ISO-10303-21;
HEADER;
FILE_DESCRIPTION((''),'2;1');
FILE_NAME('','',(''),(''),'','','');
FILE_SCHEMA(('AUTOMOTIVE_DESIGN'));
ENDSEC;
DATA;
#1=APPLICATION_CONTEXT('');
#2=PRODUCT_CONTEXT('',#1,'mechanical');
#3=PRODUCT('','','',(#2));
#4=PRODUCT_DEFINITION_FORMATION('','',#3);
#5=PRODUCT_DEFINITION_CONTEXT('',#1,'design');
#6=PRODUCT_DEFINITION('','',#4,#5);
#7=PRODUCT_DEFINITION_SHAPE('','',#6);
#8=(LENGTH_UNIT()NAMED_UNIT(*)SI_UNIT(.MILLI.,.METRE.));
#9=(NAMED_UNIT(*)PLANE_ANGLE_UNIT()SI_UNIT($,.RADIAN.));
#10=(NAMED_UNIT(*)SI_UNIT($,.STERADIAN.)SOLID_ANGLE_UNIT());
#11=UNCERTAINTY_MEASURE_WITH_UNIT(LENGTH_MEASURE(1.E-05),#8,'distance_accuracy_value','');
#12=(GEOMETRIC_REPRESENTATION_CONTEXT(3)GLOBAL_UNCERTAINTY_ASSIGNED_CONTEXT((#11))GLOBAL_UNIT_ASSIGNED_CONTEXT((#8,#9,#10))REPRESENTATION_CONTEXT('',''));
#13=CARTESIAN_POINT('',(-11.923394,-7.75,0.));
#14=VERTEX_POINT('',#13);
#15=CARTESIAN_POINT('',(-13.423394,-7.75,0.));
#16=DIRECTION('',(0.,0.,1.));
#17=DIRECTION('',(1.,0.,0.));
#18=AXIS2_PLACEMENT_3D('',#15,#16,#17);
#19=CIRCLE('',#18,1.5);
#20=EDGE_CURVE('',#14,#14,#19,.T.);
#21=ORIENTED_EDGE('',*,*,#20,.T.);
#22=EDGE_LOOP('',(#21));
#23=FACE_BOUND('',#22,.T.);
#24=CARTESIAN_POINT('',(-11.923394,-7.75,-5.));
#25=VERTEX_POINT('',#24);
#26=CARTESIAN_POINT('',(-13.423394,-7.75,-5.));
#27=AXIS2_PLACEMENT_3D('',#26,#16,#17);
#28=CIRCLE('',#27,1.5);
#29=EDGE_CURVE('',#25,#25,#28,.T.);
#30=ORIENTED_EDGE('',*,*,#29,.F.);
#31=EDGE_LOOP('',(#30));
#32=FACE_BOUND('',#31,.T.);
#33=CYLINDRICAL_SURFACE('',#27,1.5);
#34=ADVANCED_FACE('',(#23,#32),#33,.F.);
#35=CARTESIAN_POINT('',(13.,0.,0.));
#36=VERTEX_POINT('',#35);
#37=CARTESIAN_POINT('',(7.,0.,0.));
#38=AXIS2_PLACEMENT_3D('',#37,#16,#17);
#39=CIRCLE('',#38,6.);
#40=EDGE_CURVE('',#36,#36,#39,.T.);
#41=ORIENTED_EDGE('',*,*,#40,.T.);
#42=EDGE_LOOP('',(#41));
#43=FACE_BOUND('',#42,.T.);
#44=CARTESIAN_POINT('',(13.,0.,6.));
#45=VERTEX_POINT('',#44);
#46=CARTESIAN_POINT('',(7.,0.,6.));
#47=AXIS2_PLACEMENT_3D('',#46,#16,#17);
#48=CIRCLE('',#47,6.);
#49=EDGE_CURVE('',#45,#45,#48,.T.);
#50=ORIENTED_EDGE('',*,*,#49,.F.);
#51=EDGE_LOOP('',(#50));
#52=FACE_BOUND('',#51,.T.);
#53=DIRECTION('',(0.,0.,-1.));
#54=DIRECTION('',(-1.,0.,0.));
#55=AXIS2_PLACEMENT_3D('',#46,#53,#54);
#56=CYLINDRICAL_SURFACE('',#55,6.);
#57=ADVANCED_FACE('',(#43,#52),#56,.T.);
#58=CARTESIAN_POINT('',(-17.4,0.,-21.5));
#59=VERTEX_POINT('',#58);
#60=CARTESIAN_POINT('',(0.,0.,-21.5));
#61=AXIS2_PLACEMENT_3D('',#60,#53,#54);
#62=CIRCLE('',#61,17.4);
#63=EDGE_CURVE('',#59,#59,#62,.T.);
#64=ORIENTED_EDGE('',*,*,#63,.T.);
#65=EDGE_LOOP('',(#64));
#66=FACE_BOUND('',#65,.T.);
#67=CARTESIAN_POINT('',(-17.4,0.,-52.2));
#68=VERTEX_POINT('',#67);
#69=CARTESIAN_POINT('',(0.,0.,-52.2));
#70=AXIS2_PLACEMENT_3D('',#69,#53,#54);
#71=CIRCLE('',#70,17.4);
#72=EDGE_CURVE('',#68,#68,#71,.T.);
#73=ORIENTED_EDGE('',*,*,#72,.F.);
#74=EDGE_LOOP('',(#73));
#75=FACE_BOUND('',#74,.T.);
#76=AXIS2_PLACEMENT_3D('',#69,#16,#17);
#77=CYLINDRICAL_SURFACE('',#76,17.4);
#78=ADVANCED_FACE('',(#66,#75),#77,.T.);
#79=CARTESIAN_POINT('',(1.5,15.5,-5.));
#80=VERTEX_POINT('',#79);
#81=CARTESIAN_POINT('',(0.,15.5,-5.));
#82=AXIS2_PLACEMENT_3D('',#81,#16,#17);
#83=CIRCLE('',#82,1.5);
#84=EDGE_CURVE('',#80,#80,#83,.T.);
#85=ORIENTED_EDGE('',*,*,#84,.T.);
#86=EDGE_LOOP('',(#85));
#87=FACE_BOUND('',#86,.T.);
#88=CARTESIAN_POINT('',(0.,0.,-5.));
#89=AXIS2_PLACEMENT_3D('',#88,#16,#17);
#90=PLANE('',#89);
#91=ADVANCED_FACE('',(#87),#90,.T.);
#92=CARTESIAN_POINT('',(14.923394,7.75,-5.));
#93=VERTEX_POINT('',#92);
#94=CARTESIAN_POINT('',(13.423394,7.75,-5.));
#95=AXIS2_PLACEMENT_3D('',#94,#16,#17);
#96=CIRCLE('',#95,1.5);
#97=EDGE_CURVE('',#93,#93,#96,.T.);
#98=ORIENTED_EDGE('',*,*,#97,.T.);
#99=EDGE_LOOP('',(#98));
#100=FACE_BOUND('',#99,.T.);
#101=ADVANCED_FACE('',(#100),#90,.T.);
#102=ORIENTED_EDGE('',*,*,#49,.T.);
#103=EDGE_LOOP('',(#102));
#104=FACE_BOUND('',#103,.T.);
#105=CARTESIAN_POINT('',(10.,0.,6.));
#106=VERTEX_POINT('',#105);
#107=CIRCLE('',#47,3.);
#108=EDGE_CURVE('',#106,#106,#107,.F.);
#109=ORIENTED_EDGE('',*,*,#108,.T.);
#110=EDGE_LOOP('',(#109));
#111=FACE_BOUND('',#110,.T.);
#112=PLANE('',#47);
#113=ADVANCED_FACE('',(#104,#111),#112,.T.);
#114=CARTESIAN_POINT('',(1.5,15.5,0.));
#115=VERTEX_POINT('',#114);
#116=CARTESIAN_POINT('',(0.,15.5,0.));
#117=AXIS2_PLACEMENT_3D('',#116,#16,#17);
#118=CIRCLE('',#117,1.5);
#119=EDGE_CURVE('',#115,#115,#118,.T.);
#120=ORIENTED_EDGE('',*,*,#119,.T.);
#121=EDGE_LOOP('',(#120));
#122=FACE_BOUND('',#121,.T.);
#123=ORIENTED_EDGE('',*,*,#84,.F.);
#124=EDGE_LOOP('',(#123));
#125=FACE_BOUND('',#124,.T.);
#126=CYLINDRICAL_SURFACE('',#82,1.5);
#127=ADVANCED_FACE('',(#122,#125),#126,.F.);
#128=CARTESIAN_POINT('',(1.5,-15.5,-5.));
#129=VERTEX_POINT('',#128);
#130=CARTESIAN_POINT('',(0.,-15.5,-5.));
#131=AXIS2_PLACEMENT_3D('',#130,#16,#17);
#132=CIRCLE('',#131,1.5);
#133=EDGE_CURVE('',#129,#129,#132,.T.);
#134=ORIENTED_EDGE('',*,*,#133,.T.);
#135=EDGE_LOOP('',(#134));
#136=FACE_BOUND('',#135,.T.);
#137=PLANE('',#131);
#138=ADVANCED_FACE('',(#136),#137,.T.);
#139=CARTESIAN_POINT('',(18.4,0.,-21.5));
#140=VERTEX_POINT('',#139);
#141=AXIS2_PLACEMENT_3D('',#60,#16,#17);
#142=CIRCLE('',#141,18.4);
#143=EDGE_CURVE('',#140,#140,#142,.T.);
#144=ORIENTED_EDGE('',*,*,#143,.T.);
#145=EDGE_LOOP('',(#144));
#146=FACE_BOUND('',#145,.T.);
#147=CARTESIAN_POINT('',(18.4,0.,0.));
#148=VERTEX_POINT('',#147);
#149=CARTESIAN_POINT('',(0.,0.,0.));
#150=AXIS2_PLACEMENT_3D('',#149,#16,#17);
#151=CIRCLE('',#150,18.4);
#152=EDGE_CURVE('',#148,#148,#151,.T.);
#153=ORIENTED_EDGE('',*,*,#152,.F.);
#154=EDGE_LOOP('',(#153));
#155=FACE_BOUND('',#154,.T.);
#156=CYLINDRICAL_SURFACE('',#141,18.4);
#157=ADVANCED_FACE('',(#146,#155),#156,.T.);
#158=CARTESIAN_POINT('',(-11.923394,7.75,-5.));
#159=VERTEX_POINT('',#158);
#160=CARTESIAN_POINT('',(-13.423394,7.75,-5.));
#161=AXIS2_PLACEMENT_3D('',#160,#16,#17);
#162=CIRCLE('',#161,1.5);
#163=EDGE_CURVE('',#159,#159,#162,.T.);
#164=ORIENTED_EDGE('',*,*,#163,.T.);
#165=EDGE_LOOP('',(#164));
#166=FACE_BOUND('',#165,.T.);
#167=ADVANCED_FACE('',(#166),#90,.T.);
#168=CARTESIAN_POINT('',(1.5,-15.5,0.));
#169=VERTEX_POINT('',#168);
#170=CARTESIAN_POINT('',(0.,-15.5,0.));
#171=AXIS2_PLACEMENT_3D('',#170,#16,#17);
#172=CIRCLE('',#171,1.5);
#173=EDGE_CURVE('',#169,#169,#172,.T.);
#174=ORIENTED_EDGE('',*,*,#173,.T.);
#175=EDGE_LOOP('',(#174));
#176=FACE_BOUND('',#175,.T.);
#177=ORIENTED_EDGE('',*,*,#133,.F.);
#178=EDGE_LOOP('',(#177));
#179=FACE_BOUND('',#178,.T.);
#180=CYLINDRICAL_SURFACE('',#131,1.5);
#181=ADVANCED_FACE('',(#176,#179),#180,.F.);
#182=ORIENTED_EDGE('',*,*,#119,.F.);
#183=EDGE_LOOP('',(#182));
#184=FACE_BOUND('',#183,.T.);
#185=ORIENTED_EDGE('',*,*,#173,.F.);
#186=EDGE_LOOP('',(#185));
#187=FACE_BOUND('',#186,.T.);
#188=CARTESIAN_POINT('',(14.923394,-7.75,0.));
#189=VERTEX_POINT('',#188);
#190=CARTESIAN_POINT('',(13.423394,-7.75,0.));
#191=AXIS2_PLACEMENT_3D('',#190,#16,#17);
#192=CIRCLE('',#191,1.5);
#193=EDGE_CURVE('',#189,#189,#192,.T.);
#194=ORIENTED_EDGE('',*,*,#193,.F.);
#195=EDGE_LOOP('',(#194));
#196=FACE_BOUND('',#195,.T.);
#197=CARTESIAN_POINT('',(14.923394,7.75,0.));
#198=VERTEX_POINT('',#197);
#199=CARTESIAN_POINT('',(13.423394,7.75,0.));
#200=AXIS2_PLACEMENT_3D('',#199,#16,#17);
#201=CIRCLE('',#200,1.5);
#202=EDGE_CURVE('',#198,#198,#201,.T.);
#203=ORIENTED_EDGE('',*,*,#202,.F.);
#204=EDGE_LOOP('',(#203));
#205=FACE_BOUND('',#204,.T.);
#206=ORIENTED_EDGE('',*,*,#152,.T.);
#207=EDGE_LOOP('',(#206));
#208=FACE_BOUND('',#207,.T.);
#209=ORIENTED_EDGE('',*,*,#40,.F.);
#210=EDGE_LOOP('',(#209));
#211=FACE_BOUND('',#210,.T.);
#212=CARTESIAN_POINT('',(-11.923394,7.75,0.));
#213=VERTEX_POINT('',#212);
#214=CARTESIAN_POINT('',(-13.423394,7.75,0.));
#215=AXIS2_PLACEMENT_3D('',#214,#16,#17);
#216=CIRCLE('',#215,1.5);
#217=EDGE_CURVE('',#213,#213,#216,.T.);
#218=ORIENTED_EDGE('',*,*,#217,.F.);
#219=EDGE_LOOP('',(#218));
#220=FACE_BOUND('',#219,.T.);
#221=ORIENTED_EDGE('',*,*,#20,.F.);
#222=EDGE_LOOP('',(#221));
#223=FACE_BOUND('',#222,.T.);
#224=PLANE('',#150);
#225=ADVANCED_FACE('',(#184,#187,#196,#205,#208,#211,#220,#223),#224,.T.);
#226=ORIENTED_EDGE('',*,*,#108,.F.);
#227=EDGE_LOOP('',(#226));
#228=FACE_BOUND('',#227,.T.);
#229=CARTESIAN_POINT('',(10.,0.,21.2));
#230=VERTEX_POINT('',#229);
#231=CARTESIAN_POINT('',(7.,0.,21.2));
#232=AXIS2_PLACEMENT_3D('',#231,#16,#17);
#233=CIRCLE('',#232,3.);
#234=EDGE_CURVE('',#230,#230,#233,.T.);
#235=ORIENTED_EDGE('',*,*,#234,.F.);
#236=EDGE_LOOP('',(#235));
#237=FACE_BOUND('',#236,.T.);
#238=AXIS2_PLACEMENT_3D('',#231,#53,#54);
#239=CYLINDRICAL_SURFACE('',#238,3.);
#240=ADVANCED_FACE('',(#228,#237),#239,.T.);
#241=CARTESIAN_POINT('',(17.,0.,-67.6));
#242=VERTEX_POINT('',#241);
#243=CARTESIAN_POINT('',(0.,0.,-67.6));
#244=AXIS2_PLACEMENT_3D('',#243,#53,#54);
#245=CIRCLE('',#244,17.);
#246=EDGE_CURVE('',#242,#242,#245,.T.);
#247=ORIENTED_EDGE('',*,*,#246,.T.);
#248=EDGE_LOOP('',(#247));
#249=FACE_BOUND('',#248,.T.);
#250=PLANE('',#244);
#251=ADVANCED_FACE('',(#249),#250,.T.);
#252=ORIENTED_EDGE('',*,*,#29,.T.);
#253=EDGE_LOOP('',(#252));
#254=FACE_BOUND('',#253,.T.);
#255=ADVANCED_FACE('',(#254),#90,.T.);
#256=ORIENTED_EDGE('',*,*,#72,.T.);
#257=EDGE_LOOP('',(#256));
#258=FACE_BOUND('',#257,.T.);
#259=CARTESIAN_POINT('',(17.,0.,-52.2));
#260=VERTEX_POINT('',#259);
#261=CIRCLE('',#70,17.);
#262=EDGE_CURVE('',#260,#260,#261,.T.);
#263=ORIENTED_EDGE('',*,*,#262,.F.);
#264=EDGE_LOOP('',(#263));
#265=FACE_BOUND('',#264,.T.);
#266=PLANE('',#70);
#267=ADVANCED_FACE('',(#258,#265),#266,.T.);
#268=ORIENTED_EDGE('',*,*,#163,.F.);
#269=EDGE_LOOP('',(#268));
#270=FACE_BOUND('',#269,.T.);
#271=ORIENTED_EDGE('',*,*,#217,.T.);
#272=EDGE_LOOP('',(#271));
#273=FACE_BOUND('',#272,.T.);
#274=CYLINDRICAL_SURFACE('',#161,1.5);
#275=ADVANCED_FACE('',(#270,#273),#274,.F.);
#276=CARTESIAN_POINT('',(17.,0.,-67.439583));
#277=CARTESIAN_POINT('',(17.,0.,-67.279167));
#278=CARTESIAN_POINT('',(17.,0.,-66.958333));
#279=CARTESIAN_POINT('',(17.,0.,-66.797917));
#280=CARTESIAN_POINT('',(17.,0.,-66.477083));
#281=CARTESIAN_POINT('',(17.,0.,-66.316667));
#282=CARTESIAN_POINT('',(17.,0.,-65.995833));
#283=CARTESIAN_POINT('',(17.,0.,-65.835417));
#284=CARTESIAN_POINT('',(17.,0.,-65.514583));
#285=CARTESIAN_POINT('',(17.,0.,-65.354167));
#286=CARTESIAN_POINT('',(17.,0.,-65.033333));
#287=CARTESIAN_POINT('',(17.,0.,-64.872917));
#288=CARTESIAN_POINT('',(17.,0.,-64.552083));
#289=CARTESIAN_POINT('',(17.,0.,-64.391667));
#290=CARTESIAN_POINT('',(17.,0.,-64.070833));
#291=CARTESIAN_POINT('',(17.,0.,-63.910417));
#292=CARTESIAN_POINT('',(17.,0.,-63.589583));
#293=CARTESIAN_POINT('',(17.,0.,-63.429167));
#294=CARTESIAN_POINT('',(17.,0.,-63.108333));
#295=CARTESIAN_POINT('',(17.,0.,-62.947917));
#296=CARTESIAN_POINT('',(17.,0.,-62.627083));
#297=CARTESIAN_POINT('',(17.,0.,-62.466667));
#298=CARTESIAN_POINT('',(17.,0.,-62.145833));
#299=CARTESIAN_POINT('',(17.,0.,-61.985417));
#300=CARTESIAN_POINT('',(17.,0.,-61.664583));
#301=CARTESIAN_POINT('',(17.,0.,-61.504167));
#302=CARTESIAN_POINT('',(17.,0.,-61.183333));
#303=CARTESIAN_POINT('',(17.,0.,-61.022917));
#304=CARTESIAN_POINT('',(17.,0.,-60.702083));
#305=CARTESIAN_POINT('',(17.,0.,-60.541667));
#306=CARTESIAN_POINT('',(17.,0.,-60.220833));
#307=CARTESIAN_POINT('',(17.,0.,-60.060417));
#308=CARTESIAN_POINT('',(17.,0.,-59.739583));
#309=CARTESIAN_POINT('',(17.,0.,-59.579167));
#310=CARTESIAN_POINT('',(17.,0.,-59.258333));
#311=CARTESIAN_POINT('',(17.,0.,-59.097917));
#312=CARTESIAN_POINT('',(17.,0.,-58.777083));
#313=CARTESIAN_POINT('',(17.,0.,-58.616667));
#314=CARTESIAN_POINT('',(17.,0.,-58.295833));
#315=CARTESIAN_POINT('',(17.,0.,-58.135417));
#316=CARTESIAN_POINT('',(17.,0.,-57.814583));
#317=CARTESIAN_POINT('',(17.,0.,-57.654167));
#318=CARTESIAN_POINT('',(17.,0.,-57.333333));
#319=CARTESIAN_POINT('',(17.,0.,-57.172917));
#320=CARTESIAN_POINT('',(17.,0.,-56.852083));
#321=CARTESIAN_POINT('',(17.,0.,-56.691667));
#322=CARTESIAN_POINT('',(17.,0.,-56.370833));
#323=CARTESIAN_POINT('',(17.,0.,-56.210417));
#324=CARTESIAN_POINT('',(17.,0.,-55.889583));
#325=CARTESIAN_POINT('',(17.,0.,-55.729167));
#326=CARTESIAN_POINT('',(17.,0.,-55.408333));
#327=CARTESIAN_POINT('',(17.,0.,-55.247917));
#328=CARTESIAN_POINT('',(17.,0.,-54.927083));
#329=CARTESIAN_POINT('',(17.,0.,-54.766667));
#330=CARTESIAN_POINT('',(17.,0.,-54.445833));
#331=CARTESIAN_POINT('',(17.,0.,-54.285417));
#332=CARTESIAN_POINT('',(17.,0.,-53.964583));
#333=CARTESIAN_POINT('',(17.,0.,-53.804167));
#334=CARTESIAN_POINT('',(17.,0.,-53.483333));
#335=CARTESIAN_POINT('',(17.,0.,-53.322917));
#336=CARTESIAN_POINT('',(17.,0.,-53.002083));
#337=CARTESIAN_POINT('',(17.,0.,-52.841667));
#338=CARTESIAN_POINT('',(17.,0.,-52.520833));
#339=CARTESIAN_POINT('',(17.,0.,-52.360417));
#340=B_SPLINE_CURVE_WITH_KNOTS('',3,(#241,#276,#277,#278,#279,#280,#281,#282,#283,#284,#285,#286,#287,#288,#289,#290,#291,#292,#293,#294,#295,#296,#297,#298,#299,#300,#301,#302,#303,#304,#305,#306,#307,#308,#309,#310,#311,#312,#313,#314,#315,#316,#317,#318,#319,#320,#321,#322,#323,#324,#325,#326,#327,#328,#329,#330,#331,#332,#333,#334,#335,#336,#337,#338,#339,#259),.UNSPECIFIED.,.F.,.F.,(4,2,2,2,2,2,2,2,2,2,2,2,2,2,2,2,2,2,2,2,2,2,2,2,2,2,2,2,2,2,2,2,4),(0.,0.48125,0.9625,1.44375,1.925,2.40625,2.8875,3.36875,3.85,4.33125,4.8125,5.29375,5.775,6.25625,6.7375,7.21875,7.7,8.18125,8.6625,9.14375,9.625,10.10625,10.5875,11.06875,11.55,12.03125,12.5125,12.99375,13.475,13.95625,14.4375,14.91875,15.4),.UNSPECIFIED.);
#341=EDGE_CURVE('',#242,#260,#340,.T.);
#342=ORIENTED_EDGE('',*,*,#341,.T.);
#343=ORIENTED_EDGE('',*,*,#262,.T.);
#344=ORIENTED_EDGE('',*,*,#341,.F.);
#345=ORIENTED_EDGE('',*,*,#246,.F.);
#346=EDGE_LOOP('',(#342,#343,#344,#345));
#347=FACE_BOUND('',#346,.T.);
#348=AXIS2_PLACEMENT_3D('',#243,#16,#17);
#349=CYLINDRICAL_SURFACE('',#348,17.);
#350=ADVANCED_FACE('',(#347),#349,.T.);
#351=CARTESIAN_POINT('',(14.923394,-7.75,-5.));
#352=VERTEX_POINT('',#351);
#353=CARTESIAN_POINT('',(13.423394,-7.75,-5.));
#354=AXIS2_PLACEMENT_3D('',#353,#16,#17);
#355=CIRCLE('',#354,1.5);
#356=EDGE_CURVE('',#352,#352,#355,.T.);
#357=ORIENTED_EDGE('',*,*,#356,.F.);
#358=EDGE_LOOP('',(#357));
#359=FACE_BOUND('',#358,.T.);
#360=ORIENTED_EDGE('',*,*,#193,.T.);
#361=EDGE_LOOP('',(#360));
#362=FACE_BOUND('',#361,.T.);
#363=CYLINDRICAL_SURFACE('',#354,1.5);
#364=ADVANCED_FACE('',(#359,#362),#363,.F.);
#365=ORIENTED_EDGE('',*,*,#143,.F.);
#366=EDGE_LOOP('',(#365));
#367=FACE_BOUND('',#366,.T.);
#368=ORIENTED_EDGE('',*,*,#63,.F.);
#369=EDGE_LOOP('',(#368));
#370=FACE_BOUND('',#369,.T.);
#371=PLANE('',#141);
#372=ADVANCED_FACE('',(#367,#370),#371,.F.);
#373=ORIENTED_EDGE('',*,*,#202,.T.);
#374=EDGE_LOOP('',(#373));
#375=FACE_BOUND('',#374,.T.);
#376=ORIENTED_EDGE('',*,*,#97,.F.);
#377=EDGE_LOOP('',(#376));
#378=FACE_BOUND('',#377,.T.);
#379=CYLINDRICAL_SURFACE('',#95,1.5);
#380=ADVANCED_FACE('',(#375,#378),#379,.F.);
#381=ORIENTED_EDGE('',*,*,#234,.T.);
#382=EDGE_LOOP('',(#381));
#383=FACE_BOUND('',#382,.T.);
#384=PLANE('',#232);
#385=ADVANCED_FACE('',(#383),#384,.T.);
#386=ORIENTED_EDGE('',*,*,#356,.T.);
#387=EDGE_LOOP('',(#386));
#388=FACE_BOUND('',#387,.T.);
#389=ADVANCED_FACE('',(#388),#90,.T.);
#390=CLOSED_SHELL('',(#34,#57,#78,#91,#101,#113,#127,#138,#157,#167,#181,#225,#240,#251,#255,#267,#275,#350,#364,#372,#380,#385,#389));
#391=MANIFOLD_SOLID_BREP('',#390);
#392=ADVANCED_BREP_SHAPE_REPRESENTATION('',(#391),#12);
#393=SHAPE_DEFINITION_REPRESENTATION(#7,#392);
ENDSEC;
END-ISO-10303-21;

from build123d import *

# Parameters (mm, degrees)
SKETCH_1_R          = 18.4
EXTRUDE_1_DEPTH     = 21.5
SKETCH_1_3_R        = 6
EXTRUDE_2_DEPTH     = 6
SKETCH_1_4_R        = 3
EXTRUDE_3_DEPTH     = 21.2
SKETCH_2_R          = 17.4
EXTRUDE_4_DEPTH     = 30.7
EXTRUDE_START       = 30.7
SKETCH_2_3_R        = 17
EXTRUDE_5_DEPTH     = 15.4
SKETCH_1_5_R        = 1.5
CUT_EXTRUDE_1_DEPTH = 5


with BuildPart() as part:
    # 스케치1 → 보스-돌출1 (new body)
    with BuildSketch(Plane.XY):
        Circle(SKETCH_1_R)
    extrude(amount=-EXTRUDE_1_DEPTH)

    # 스케치1<3> → 보스-돌출2 (add)
    with BuildSketch(Plane.XY):
        with Locations((7, 0)):
            Circle(SKETCH_1_3_R)
    extrude(amount=EXTRUDE_2_DEPTH)

    # 스케치1<4> → 보스-돌출3 (add)
    with BuildSketch(Plane.XY):
        with Locations((7, 0)):
            Circle(SKETCH_1_4_R)
    extrude(amount=EXTRUDE_3_DEPTH)

    # 스케치2 → 보스-돌출4 (add)
    with BuildSketch(Plane(origin=(0, 0, -21.5), x_dir=(-1, 0, 0), z_dir=(0, 0, -1))):
        Circle(SKETCH_2_R)
    extrude(amount=EXTRUDE_4_DEPTH)

    # 스케치2<3> → 보스-돌출5 (add)
    with BuildSketch(Plane(origin=(0, 0, -21.5), x_dir=(-1, 0, 0), z_dir=(0, 0, -1)).offset(EXTRUDE_START)):
        with Locations(Location((0, 0, 0), (0, 0, 180))):
            Circle(SKETCH_2_3_R)
    extrude(amount=EXTRUDE_5_DEPTH)

    # 스케치1<5> → 컷-돌출1 (cut)
    with BuildSketch(Plane.XY):
        with Locations((-13.423393759, -7.75)):
            Circle(SKETCH_1_5_R)
        with Locations((-13.423393759, 7.75)):
            Circle(SKETCH_1_5_R)
        with Locations((0, 15.5)):
            Circle(SKETCH_1_5_R)
        with Locations((13.423393759, 7.75)):
            Circle(SKETCH_1_5_R)
        with Locations((13.423393759, -7.75)):
            Circle(SKETCH_1_5_R)
        with Locations((0, -15.5)):
            Circle(SKETCH_1_5_R)
    extrude(amount=-CUT_EXTRUDE_1_DEPTH, mode=Mode.SUBTRACT)


solid = part.part
